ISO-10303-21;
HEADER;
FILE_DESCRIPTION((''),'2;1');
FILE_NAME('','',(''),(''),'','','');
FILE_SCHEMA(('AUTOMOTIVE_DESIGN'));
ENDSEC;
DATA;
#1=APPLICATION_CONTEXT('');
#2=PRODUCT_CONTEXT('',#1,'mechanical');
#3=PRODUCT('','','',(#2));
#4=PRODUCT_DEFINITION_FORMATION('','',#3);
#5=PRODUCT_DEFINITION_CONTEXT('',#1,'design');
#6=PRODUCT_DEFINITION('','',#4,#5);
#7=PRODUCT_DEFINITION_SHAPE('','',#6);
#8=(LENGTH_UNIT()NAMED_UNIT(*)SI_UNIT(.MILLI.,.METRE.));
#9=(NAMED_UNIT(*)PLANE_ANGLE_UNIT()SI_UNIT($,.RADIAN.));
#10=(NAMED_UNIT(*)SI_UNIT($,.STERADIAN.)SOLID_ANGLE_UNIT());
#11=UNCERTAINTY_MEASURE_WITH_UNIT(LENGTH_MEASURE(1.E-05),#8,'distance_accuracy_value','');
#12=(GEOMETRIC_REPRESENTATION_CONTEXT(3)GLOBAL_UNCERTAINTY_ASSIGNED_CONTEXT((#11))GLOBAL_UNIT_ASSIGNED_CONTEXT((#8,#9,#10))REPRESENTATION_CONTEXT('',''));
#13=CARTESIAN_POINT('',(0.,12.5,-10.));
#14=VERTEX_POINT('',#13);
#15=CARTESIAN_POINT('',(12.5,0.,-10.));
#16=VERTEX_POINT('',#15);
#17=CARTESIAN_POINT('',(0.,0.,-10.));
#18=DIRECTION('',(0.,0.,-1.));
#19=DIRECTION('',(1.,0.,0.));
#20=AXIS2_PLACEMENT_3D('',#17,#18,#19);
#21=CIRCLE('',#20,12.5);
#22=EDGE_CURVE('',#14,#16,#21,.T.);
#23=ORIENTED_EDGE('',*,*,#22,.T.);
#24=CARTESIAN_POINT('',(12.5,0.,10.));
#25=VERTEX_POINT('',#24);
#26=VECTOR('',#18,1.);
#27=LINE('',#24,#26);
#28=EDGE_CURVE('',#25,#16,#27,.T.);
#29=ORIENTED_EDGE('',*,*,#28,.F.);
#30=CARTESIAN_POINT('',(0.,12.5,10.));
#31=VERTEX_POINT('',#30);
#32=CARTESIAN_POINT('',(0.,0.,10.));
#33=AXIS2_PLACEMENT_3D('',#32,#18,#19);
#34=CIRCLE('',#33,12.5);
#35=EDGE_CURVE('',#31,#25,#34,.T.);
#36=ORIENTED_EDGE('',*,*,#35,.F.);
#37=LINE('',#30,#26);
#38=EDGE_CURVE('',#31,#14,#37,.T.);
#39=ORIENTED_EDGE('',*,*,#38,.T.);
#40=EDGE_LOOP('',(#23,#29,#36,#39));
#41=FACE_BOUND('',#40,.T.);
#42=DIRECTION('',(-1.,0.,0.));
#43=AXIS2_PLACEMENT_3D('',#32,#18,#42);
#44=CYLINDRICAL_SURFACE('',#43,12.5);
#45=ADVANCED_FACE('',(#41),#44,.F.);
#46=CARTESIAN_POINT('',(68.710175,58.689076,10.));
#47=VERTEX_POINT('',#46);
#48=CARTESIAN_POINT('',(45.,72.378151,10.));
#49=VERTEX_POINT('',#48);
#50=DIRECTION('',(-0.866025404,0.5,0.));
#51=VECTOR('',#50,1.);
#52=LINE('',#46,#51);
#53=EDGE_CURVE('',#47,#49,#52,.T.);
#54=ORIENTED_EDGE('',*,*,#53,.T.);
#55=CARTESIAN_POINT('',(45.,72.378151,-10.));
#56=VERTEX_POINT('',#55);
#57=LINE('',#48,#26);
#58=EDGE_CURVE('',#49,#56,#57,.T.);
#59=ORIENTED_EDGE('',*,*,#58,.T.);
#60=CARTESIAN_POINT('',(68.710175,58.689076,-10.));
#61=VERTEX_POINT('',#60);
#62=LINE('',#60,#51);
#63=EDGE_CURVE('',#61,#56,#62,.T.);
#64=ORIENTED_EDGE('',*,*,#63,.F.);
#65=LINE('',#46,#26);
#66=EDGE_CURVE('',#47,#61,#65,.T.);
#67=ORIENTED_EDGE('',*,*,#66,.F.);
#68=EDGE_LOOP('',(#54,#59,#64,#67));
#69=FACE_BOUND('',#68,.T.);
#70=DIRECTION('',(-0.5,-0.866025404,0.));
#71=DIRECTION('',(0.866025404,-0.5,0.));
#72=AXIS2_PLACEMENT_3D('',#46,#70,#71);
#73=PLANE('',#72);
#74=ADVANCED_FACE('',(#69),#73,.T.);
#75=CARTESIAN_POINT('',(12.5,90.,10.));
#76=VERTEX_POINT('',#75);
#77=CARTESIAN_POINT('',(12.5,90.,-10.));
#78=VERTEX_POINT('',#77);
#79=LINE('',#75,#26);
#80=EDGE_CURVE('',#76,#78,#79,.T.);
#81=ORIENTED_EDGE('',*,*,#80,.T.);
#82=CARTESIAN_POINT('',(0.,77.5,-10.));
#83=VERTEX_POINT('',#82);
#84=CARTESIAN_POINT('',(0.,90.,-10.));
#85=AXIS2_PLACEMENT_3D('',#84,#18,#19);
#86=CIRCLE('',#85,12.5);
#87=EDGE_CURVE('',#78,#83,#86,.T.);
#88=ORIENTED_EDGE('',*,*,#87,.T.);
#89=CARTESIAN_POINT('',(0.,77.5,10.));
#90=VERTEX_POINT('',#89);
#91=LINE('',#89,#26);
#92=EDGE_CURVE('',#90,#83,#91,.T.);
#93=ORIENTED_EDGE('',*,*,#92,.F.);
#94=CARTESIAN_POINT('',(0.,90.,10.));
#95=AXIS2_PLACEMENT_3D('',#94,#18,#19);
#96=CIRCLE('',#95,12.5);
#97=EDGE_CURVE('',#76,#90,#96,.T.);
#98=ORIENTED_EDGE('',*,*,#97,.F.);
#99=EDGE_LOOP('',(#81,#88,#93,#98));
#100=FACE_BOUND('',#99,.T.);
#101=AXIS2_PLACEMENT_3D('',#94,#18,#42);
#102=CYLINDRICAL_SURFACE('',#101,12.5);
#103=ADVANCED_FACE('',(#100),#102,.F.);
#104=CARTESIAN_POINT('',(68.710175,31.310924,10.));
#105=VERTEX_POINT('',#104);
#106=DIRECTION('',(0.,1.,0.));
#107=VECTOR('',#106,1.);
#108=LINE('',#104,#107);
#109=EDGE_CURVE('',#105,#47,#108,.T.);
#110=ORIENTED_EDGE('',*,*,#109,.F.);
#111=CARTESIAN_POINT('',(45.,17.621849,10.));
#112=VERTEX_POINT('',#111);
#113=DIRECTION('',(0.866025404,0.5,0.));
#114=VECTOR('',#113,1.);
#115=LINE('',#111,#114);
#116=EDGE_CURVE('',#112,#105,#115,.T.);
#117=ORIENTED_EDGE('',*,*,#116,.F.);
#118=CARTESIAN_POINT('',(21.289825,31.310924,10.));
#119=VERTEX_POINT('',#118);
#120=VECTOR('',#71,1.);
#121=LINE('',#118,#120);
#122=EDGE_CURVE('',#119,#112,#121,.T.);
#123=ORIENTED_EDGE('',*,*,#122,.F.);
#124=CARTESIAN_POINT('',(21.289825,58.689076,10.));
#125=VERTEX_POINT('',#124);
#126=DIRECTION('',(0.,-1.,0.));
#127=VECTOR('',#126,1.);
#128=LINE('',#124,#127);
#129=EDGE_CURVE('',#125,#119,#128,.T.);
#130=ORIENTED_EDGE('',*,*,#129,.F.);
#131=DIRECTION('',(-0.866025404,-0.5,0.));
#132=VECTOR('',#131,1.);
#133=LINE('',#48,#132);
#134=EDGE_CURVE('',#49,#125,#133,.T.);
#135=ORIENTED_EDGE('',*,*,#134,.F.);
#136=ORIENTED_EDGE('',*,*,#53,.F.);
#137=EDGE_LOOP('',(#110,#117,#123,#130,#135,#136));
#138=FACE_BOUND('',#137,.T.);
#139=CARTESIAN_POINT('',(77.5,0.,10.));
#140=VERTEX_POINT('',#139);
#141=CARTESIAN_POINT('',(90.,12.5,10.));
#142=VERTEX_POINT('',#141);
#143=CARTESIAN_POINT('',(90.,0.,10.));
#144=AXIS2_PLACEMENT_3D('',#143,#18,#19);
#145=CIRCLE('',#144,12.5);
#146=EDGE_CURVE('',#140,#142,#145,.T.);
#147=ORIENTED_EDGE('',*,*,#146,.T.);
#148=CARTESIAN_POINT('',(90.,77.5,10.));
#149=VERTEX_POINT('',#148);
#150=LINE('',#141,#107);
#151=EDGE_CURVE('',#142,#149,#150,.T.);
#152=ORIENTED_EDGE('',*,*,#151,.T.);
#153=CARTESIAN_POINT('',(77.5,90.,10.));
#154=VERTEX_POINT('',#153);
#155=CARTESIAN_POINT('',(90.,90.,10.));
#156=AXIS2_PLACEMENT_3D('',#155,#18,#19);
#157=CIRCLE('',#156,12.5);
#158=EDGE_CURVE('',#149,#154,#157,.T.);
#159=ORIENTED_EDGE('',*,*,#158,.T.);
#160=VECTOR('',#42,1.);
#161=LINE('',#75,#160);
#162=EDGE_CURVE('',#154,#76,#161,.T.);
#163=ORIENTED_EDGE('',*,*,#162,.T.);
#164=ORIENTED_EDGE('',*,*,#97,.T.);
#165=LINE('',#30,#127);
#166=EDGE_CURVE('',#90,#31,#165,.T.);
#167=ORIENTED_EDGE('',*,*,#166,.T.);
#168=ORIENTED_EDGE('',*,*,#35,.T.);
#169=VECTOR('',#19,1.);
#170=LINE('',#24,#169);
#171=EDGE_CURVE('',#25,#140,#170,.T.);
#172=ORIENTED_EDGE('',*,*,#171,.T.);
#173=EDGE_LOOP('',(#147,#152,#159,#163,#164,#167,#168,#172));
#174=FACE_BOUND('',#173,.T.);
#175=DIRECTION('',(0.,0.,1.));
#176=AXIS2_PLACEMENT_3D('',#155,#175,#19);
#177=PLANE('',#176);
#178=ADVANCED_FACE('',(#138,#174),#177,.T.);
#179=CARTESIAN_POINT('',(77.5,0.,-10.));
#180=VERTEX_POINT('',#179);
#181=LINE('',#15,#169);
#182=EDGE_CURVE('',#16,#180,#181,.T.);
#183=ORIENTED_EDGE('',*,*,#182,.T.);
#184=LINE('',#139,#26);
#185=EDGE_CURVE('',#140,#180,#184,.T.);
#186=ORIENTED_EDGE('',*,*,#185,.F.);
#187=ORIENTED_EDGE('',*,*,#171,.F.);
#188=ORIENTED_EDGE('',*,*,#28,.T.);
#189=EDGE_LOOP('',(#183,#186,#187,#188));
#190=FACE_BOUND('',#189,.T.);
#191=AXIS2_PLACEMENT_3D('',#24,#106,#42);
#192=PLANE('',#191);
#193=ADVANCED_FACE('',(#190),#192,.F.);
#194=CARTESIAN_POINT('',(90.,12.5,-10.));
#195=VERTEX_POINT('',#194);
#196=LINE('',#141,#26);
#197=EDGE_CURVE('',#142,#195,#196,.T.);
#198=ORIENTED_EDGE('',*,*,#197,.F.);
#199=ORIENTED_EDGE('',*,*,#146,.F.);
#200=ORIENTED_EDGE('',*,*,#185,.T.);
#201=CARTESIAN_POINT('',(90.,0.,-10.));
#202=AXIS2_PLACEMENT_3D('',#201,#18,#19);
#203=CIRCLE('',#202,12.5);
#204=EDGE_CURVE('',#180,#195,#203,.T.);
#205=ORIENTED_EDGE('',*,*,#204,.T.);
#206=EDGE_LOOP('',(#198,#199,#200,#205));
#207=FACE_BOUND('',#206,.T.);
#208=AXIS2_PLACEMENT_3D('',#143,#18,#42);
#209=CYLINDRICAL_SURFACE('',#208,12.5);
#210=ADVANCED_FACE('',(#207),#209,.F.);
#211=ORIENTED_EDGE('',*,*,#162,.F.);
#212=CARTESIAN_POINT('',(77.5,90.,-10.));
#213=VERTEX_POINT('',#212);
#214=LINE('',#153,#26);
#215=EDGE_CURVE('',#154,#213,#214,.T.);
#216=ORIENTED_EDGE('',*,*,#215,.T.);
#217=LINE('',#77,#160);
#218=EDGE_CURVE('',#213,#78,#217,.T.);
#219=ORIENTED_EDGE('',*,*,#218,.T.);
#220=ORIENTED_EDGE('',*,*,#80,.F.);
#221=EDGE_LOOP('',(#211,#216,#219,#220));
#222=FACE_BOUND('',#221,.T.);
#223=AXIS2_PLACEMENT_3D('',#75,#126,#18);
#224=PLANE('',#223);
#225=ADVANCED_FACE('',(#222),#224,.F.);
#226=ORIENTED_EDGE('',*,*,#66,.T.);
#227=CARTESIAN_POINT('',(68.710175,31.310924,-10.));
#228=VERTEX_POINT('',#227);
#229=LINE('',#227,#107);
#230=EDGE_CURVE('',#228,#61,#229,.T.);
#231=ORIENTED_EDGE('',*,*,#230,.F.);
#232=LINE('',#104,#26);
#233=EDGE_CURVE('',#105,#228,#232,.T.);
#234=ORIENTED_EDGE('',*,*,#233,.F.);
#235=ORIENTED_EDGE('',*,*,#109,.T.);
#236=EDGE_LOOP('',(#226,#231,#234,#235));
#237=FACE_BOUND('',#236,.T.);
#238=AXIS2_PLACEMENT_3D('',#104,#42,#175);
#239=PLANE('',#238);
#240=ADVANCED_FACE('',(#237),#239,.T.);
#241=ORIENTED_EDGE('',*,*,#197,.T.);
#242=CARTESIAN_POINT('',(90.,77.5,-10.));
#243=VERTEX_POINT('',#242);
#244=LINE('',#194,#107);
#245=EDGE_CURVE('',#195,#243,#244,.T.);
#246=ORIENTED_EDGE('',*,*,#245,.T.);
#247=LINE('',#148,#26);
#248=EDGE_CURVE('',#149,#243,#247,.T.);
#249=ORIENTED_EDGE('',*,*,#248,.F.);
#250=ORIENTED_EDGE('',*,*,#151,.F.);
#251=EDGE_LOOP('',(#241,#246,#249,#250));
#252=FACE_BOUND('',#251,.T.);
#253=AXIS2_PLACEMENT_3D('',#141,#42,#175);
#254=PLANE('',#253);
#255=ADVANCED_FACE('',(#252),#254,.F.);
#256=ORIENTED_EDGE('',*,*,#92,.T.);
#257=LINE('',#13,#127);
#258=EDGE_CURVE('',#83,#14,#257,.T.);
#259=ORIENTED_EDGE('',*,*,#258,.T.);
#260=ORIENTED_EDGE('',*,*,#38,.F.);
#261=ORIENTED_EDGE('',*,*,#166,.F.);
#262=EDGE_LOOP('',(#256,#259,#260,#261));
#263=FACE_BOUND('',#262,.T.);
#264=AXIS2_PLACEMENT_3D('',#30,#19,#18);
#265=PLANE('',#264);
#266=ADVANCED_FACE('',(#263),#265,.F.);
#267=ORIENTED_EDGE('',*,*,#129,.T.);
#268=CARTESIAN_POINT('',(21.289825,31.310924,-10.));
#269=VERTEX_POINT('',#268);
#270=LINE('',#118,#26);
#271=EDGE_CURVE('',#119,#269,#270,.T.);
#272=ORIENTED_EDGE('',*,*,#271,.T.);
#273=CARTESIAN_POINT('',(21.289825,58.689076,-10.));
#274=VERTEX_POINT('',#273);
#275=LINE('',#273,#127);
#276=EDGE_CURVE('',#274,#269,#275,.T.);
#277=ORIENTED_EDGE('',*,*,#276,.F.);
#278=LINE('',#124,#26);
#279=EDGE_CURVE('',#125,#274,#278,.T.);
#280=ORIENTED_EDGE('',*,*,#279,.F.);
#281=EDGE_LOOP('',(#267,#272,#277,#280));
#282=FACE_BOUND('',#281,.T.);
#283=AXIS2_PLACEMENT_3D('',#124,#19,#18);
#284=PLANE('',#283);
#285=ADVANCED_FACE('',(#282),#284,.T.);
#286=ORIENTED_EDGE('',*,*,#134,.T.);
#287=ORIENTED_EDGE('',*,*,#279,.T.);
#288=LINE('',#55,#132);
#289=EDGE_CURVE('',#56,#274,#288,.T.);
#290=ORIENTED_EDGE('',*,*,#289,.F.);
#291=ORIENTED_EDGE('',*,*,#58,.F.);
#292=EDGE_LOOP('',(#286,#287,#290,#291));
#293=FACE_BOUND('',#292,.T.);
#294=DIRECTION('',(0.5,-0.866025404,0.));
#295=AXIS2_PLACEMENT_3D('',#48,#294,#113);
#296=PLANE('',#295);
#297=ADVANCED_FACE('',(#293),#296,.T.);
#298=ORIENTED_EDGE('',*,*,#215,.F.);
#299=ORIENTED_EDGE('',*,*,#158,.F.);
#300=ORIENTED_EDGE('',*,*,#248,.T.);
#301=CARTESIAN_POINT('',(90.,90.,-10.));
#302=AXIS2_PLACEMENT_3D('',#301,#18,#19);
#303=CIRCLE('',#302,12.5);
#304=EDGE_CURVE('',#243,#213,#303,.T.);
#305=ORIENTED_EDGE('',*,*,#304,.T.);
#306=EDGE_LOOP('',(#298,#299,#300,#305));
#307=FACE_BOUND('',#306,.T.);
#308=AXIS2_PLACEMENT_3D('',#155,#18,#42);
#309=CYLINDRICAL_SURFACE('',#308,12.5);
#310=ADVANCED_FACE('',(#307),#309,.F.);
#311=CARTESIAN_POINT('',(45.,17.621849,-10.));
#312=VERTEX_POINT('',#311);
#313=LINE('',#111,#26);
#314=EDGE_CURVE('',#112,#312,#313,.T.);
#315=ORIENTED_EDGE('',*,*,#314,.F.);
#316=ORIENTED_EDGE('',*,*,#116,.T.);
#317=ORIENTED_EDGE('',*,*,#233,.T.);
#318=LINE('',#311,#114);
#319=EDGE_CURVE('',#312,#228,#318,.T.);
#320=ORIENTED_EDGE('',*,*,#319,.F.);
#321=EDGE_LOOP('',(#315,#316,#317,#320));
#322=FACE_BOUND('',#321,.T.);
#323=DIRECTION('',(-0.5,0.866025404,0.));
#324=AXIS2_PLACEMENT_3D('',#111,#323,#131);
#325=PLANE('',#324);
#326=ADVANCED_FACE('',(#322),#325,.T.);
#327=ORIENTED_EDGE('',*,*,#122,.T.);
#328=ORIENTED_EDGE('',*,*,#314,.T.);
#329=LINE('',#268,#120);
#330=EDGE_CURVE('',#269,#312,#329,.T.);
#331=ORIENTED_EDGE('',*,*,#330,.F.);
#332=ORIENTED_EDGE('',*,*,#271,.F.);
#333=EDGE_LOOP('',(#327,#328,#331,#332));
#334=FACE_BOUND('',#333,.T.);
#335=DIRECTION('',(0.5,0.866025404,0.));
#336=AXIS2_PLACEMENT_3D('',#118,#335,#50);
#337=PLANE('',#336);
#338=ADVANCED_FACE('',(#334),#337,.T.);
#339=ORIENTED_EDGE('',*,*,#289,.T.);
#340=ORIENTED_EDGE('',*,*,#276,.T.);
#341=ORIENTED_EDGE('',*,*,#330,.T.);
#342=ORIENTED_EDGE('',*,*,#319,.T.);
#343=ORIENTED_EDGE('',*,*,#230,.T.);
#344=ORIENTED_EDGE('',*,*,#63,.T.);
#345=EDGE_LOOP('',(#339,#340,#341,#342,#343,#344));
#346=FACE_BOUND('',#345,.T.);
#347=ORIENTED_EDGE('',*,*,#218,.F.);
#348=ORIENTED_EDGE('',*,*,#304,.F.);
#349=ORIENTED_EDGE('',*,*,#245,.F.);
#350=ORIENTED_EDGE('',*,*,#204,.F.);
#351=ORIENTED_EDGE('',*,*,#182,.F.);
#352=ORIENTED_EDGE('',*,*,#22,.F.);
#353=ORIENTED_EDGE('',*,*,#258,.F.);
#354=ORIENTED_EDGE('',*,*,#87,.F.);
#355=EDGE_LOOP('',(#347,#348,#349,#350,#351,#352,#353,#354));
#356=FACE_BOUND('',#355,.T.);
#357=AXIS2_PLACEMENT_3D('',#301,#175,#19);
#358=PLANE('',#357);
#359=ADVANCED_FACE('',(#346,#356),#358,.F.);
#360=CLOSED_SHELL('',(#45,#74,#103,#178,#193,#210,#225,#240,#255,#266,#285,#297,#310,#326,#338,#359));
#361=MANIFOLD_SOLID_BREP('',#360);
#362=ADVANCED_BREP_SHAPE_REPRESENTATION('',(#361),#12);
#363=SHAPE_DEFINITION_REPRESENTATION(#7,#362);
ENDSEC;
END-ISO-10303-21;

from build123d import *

# Parameters (mm, degrees)
BOSS_EXTRUDE3_DEPTH = 10


with BuildPart() as part:
    # Sketch1 → Boss-Extrude3 (new, symmetric)
    with BuildSketch(Plane.XY):
        with BuildLine():
            Line((12.5, 0), (77.5, 0))
            ThreePointArc((77.5, 0), (81.161165235, 8.838834765), (90, 12.5))
            Line((90, 12.5), (90, 77.5))
            ThreePointArc((90, 77.5), (81.161165235, 81.161165235), (77.5, 90))
            Line((77.5, 90), (12.5, 90))
            ThreePointArc((12.5, 90), (8.838834765, 81.161165235), (0, 77.5))
            Line((0, 77.5), (0, 12.5))
            ThreePointArc((0, 12.5), (8.838834765, 8.838834765), (12.5, 0))
        make_face()
        Polygon((45, 72.378151261), (21.2898255, 58.68907563), (21.2898255, 31.31092437), (45, 17.621848739), (68.7101745, 31.31092437), (68.7101745, 58.68907563), align=None, mode=Mode.SUBTRACT)
    extrude(amount=BOSS_EXTRUDE3_DEPTH, both=True)


solid = part.part
